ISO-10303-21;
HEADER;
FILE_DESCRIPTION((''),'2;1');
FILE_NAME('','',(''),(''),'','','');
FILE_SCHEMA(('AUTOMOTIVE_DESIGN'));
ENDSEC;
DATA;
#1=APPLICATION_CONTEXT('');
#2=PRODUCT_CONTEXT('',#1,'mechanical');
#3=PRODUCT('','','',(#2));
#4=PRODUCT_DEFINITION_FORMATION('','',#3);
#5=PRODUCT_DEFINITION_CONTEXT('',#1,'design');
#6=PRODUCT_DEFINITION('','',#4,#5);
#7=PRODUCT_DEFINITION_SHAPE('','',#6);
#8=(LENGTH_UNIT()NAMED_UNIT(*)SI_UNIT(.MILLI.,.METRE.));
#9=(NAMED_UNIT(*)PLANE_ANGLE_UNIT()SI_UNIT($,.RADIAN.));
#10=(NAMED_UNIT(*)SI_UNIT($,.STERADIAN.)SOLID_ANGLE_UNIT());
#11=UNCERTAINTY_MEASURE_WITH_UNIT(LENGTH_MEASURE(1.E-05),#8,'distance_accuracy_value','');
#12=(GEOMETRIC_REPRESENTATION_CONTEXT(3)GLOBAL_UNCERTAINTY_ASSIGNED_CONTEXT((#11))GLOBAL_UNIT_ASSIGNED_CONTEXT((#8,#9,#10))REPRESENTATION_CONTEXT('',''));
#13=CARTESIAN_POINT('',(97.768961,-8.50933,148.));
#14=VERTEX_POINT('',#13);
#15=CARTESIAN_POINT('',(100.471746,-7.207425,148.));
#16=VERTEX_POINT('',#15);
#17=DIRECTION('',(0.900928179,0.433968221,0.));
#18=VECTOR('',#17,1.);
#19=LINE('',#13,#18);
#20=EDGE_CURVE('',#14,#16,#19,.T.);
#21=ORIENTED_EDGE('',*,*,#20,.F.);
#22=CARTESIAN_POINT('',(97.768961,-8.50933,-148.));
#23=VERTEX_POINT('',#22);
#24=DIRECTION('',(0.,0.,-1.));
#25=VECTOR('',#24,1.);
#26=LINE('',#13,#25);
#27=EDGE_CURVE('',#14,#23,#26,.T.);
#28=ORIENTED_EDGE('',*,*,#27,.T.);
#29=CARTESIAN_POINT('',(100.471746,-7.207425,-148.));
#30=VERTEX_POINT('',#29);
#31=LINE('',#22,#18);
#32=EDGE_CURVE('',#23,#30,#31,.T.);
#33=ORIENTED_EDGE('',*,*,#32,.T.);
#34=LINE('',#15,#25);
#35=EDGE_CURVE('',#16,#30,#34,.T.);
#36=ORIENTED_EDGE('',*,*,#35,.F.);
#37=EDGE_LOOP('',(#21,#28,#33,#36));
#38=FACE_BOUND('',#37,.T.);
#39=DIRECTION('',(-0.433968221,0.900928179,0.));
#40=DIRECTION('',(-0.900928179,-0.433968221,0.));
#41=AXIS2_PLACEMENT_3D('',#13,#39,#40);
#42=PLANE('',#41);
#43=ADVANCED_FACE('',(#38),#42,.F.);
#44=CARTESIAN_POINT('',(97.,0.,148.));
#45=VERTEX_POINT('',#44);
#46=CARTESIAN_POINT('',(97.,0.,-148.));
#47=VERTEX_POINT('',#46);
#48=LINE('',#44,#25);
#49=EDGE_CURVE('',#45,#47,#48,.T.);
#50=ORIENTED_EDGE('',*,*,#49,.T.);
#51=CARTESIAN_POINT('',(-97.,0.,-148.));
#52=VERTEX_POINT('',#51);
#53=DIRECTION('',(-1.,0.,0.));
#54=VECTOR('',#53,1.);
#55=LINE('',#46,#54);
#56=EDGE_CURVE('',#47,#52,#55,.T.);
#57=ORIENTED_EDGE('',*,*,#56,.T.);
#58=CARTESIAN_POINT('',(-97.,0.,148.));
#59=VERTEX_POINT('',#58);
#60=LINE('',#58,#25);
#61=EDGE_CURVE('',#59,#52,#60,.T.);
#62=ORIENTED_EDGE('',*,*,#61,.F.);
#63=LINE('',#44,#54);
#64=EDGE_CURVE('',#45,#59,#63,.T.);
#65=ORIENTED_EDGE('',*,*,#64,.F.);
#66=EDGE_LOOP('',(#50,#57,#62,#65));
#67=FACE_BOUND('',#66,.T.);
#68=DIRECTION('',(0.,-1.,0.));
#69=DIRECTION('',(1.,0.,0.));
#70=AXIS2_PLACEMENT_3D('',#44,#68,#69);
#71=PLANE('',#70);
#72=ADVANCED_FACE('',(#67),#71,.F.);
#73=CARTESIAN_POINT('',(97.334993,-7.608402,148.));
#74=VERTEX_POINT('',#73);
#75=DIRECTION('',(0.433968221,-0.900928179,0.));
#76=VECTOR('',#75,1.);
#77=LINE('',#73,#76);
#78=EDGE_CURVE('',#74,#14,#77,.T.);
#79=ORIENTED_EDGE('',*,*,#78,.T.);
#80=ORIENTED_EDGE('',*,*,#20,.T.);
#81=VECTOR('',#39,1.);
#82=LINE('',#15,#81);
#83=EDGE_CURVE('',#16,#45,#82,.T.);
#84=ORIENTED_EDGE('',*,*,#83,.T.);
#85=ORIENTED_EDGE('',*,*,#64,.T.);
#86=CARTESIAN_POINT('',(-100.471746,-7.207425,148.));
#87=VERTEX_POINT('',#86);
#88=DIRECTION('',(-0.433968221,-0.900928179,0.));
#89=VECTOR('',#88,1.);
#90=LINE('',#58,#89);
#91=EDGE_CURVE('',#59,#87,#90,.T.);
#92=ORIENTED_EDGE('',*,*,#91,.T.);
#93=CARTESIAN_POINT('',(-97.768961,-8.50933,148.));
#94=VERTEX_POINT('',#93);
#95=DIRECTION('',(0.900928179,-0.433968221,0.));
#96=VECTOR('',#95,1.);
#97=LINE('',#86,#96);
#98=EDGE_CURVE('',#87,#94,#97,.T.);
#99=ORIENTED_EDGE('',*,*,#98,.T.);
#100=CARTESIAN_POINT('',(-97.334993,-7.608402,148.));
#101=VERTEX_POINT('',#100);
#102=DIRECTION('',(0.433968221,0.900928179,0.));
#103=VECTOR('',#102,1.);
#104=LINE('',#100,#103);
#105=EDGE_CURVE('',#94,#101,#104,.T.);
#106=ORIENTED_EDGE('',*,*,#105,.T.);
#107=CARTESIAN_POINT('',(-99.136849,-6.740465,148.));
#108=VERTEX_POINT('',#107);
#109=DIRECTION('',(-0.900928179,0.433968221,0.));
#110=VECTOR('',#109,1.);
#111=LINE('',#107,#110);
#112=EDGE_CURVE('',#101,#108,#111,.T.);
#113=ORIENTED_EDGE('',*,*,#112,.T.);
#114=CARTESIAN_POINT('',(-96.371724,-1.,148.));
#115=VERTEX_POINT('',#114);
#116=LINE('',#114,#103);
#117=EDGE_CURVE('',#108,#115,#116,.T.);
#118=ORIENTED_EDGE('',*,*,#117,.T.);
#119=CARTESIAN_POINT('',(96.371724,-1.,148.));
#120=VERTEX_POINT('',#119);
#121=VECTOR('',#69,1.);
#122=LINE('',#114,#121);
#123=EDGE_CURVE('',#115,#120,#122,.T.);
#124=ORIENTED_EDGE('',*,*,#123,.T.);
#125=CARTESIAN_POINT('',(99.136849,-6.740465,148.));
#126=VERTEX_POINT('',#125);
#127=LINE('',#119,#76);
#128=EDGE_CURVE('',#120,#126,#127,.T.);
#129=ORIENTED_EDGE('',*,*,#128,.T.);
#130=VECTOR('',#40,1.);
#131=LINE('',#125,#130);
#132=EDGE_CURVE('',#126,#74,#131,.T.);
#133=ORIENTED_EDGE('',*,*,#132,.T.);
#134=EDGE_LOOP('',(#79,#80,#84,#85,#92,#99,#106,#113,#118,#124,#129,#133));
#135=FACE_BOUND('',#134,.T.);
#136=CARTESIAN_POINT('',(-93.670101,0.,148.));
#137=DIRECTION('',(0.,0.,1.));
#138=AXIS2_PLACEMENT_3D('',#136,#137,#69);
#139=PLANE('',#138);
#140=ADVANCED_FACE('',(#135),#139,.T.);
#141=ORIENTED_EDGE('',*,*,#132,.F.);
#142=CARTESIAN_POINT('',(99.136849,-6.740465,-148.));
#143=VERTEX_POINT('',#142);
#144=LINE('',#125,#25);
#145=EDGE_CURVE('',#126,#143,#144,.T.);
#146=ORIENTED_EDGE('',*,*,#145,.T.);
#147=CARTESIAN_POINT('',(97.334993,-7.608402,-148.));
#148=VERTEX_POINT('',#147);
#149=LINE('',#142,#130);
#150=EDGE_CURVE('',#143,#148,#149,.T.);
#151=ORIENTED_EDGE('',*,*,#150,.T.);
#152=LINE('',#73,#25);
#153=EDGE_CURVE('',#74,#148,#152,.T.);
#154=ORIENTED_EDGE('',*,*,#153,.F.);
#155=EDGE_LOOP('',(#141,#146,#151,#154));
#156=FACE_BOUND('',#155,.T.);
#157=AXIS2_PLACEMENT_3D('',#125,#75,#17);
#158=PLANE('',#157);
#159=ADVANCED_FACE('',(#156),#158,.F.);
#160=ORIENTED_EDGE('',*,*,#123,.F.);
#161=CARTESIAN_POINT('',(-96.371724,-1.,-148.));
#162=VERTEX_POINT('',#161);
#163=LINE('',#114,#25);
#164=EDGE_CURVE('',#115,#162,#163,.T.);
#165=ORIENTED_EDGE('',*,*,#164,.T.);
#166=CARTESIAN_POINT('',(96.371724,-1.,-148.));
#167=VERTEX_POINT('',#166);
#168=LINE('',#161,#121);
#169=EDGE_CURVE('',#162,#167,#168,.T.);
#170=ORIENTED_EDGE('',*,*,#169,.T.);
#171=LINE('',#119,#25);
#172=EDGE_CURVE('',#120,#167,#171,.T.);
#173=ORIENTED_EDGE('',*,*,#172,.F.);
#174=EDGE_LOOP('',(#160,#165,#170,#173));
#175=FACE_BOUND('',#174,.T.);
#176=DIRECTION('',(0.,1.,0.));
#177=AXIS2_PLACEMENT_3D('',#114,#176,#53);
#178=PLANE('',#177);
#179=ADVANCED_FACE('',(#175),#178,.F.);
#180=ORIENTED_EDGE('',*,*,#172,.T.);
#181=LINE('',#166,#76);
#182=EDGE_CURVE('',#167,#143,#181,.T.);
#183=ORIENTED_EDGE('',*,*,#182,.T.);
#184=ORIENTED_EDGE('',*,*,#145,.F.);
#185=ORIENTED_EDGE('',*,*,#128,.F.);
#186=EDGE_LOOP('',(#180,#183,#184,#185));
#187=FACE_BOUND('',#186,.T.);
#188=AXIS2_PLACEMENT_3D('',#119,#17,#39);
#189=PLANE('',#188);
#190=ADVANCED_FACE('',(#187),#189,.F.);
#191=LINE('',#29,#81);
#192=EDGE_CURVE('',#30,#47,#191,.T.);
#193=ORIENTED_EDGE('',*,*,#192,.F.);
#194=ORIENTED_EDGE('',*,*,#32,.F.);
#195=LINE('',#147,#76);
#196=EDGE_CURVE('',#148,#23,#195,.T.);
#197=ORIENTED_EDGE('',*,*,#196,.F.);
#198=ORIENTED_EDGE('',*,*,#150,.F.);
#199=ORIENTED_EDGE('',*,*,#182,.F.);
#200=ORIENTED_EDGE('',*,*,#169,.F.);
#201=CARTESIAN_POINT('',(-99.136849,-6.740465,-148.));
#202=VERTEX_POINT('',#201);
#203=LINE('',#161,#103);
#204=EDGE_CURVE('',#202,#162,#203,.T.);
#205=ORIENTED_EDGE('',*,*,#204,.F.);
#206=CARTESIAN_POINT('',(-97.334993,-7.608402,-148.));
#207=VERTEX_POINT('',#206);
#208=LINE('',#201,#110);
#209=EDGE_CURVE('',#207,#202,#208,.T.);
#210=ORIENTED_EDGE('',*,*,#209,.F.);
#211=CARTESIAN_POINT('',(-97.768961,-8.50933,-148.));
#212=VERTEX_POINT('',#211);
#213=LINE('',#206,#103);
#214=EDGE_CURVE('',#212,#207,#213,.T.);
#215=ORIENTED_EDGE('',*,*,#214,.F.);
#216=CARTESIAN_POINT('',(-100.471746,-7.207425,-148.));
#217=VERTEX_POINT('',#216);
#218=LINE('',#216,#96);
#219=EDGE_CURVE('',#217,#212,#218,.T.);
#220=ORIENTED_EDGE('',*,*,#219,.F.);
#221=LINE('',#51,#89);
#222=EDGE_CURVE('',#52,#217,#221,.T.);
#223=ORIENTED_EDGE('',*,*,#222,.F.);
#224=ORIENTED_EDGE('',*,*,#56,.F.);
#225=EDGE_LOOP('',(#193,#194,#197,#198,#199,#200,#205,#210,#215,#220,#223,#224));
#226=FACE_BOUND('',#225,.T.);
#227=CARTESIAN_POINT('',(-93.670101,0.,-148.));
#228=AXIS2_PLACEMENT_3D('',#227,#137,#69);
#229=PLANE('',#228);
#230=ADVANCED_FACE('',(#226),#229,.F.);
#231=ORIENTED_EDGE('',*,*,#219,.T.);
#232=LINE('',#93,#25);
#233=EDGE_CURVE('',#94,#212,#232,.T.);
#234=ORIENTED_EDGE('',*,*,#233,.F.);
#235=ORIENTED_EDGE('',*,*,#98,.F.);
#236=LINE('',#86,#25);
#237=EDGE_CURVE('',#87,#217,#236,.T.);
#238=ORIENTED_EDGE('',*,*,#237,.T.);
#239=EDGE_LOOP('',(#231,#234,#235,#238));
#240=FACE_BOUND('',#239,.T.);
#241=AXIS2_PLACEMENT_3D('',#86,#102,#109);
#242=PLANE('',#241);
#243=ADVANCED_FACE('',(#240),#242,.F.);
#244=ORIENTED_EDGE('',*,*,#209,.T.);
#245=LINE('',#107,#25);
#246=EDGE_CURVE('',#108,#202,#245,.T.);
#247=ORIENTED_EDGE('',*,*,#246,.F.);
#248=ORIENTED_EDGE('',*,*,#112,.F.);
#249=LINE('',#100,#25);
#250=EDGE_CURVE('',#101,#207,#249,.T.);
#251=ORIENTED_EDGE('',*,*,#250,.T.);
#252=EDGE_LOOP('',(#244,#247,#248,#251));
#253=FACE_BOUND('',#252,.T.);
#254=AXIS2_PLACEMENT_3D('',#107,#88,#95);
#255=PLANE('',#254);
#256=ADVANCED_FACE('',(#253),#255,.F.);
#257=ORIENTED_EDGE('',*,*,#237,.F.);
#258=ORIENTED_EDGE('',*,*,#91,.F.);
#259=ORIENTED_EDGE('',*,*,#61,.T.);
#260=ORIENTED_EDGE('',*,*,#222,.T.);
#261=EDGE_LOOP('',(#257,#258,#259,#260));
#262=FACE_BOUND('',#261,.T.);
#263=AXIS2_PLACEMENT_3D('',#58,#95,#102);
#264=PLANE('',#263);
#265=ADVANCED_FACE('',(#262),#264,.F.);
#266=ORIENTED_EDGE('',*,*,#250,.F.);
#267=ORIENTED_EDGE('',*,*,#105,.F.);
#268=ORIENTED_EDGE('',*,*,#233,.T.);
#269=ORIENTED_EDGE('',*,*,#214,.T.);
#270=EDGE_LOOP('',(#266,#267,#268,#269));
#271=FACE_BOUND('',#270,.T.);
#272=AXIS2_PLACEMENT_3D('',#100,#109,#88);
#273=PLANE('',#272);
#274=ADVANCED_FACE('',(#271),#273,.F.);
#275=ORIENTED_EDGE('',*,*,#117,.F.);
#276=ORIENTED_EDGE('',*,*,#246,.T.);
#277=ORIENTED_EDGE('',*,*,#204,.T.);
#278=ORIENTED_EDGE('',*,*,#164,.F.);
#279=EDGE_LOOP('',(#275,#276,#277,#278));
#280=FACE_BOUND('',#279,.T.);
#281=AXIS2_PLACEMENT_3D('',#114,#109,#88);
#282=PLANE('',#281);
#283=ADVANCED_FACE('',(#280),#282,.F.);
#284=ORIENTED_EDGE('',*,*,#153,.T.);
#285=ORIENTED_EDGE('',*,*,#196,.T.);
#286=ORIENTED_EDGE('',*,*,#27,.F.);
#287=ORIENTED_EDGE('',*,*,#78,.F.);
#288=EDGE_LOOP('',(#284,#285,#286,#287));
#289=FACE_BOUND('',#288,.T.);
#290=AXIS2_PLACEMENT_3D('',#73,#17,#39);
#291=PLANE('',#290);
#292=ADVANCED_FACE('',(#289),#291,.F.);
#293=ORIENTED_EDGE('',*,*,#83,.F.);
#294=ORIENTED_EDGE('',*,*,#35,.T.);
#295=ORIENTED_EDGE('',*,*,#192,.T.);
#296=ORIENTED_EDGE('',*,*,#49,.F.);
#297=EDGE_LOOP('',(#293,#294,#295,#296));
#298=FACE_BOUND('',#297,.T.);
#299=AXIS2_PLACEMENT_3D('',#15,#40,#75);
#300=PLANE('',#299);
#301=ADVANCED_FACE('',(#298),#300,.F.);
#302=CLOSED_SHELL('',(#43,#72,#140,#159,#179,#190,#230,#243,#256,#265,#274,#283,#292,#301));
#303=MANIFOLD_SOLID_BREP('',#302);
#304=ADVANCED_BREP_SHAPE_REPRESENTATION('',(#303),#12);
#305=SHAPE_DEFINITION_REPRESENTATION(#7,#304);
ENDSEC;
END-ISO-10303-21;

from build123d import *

# Parameters (mm, degrees)
EXTRUSION1_DEPTH = 148


with BuildPart() as part:
    # Esquisse1 → Extrusion1 (new body, symmetric)
    with BuildSketch(Plane.XY):
        Polygon((-96.371723749, -1), (-99.13684937, -6.740465471), (-97.334993013, -7.608401914), (-97.768961234, -8.509330092), (-100.47174577, -7.207425429), (-97, 0), (97, 0), (100.47174577, -7.207425429), (97.768961234, -8.509330092), (97.334993013, -7.608401914), (99.13684937, -6.740465471), (96.371723749, -1), align=None)
    extrude(amount=EXTRUSION1_DEPTH, both=True)


solid = part.part
